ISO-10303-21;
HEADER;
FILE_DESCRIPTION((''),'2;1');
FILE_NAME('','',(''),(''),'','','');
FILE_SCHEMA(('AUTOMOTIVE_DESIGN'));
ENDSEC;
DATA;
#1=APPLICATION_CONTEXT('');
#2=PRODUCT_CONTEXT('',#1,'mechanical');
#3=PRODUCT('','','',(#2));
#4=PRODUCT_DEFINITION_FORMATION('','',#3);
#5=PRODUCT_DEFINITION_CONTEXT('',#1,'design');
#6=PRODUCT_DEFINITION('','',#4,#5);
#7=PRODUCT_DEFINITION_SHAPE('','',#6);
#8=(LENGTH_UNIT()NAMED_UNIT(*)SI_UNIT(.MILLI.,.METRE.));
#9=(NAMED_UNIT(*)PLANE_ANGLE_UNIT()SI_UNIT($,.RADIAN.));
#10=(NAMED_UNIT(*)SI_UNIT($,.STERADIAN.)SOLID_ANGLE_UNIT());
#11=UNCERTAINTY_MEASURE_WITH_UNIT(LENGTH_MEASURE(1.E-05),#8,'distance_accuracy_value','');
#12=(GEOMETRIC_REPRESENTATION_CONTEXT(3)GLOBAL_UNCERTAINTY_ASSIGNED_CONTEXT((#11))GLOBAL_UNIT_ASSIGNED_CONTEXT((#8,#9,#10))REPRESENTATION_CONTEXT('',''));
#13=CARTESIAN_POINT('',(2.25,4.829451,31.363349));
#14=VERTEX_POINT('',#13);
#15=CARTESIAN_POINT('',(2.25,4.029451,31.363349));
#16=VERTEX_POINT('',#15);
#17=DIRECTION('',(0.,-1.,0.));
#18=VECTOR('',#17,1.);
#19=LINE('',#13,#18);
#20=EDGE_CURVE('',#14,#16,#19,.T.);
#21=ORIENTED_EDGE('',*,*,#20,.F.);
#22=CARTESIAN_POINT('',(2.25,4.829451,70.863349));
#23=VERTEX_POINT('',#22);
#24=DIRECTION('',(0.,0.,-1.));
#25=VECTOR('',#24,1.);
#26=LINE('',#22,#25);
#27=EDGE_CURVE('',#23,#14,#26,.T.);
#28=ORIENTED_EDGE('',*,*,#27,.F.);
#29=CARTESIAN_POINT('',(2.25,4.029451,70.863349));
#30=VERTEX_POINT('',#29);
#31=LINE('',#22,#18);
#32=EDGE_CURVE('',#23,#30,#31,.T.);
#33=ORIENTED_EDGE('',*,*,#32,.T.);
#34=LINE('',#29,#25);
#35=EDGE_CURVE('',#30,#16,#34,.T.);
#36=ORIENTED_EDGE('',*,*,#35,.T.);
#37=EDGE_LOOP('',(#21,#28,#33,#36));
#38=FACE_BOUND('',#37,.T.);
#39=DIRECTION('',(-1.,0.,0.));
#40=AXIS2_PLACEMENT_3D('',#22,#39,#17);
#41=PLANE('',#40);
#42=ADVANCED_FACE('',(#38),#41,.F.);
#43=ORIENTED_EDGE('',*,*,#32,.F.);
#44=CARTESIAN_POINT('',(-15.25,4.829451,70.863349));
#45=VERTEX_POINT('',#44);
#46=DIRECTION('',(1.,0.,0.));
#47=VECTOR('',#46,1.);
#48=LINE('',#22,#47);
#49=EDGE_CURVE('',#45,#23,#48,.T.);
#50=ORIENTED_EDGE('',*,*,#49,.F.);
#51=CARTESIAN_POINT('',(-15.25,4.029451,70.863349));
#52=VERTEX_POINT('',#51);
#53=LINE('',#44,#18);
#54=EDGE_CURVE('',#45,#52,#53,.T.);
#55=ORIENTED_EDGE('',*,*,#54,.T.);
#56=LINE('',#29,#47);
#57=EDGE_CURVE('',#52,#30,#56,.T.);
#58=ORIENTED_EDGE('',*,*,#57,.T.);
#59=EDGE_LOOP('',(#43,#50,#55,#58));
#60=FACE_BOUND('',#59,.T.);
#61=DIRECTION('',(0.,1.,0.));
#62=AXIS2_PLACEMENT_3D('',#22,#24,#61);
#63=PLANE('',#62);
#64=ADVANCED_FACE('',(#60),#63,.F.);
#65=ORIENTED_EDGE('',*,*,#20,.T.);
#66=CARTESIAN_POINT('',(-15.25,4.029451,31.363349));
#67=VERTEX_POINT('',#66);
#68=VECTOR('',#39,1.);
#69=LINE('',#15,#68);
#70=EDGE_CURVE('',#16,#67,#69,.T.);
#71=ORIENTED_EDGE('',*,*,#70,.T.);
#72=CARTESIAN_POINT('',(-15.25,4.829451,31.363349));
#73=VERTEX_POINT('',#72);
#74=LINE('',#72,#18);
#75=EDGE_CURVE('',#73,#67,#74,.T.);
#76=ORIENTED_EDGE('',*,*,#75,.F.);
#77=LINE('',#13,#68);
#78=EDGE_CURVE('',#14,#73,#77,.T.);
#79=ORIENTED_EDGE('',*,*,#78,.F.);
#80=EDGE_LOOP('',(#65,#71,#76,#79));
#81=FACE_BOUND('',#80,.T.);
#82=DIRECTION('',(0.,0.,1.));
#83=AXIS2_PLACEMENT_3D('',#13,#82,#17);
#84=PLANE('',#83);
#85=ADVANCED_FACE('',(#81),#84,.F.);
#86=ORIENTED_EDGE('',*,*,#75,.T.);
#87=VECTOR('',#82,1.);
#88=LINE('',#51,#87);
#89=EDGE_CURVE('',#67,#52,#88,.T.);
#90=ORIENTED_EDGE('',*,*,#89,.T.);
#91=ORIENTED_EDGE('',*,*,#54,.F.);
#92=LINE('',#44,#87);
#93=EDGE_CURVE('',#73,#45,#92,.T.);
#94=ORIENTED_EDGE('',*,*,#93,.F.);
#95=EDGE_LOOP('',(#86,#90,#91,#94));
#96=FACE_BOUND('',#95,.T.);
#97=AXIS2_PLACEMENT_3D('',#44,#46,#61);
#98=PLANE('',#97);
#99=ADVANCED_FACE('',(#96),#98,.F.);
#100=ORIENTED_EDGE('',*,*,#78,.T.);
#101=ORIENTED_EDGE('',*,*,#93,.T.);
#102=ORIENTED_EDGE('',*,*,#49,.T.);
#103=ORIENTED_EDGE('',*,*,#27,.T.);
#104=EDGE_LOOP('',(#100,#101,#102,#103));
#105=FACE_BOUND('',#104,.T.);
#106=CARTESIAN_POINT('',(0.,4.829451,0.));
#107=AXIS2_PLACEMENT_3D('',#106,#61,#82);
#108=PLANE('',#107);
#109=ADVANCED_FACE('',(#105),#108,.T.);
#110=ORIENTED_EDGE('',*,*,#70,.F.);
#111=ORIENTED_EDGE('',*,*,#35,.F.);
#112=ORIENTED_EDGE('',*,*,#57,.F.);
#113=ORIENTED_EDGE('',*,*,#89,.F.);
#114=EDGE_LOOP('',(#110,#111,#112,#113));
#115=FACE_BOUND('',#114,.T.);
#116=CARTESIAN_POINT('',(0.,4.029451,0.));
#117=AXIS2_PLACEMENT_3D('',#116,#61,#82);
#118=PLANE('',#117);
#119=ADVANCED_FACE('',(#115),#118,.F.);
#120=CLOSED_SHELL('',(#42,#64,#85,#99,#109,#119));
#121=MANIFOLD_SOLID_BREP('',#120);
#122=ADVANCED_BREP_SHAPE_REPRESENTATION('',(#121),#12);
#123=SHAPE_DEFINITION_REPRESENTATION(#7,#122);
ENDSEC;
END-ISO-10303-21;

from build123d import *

# Parameters (mm, degrees)
SKETCH_1_W      = 17.5
SKETCH_1_H      = 39.5
EXTRUDE_1_DEPTH = 0.8


with BuildPart() as part:
    # 草图1 → 凸台-拉伸1 (new body)
    with BuildSketch(Plane(origin=(0, 4.029451354, 0), x_dir=(1, 0, 0), z_dir=(0, 1, 0))):
        with Locations((-6.5, -51.113349465)):
            Rectangle(SKETCH_1_W, SKETCH_1_H)
    extrude(amount=EXTRUDE_1_DEPTH)


solid = part.part
